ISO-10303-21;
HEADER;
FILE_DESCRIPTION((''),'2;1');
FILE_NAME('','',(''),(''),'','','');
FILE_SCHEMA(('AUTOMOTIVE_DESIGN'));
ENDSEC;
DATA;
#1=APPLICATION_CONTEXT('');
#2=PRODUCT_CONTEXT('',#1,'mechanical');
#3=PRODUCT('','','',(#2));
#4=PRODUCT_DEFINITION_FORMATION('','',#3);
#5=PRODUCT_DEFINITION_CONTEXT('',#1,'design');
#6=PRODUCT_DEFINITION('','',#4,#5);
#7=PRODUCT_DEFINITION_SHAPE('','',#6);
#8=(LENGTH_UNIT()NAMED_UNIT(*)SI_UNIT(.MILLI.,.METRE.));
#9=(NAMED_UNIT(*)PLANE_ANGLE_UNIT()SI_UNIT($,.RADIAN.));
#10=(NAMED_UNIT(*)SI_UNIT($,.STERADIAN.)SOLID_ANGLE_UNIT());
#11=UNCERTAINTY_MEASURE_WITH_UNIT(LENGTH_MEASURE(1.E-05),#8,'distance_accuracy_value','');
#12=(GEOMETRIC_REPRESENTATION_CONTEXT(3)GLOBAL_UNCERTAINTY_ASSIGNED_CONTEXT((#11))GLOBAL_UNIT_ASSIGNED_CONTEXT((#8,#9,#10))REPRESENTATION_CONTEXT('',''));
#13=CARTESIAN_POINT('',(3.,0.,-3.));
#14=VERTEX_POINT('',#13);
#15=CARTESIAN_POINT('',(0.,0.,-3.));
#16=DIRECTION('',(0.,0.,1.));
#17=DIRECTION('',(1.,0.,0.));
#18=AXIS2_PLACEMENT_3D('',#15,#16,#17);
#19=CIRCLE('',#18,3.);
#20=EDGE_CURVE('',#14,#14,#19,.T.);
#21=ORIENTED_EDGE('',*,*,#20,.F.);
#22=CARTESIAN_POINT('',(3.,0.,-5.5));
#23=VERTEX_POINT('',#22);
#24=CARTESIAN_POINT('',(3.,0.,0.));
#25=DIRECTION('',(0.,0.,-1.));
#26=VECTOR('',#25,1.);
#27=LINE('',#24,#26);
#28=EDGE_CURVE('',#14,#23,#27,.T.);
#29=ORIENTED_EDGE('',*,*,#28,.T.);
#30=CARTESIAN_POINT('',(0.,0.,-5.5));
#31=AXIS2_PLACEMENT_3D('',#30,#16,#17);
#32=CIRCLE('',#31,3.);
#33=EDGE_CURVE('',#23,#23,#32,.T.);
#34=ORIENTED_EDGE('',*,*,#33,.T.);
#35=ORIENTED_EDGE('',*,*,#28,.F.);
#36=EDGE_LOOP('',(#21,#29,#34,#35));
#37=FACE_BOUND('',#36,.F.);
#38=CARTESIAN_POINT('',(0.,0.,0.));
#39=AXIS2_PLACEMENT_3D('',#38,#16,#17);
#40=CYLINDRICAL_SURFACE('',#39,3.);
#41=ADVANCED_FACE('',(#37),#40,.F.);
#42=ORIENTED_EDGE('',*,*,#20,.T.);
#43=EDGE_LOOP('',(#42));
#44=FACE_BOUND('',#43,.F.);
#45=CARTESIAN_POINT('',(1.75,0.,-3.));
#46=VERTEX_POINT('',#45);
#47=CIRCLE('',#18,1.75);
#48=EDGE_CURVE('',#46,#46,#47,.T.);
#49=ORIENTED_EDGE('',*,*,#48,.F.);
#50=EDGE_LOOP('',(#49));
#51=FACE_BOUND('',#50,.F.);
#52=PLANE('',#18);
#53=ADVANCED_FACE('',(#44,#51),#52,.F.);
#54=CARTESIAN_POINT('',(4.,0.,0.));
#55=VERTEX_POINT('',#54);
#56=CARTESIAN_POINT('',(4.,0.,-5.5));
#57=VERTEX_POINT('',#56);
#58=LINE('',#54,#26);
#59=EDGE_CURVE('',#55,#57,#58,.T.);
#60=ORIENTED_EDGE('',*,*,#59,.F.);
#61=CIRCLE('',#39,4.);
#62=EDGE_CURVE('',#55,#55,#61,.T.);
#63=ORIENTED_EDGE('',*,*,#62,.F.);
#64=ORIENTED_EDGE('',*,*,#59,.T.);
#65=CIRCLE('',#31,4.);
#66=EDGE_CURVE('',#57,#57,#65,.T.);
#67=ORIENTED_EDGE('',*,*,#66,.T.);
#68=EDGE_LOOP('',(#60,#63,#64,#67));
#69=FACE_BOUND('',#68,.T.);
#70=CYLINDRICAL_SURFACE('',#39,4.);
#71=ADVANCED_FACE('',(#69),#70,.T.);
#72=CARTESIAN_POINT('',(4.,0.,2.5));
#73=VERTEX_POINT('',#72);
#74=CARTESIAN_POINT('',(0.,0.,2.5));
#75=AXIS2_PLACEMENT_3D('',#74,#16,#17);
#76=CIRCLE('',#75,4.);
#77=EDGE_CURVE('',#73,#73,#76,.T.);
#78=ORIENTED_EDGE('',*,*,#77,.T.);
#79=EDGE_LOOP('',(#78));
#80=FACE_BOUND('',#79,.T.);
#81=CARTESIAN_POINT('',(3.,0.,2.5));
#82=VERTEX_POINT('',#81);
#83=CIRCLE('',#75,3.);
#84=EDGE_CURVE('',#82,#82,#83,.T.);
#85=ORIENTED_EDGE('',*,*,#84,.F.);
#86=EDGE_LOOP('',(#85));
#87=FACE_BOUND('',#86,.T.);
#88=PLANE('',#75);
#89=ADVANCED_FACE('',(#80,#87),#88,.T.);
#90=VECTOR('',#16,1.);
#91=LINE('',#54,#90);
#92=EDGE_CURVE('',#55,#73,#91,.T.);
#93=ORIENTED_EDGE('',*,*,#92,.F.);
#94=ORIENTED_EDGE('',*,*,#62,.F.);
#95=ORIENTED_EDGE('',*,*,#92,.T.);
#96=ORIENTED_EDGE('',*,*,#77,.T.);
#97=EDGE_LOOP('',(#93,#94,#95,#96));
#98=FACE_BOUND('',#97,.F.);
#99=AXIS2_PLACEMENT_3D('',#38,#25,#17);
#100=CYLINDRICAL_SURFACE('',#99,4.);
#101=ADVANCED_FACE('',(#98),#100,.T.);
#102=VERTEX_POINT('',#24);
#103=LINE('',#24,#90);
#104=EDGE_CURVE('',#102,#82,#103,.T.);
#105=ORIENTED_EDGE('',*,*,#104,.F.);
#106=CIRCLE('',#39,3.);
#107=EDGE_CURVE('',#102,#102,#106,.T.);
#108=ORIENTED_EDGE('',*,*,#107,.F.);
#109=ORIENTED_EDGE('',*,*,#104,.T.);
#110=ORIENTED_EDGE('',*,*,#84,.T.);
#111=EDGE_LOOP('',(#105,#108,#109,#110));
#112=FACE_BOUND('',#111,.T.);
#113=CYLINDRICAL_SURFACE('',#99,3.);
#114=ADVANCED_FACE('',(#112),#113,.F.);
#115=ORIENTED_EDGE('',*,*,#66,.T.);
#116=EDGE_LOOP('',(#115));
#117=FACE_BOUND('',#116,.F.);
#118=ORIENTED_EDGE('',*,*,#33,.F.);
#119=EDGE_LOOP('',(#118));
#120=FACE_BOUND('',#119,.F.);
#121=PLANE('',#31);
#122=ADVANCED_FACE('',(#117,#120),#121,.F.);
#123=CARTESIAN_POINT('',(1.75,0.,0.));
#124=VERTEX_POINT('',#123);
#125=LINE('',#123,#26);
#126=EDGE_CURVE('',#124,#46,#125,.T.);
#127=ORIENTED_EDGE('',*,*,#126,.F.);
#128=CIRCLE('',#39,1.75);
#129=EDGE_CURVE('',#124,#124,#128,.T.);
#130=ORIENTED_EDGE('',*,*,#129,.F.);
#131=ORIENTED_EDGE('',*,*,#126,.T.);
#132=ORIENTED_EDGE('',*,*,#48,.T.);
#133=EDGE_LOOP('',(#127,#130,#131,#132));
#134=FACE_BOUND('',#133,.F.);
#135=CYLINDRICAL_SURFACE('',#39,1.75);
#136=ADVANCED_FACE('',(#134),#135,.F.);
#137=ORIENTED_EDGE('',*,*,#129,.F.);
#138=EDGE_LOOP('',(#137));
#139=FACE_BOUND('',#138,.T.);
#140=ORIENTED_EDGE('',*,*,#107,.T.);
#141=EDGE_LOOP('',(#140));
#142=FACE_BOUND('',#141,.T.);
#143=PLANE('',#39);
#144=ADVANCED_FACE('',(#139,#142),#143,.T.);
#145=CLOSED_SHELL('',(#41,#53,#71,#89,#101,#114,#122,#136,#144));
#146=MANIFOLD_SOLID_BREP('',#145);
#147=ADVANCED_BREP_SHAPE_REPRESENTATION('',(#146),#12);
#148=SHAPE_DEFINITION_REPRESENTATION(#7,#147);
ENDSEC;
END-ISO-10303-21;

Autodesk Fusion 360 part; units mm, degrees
sketch "Sketch1" plane through (0, 0, 0) normal (0, 0, 1) x (1, 0, 0)
  circle A0 centre (0, 0) radius 1.75
  circle A1 centre (0, 0) radius 3
  circle A2 centre (0, 0) radius 4
  dimension "d1" = 3.5
  dimension "d2" = 6
  dimension "d3" = 8
extrude "Extrude1" add sketch "Sketch1" against normal blind 3 contours A1
extrude "Extrude2" add sketch "Sketch1" along normal blind 2.5 and the other way blind 5.5 contours A2
